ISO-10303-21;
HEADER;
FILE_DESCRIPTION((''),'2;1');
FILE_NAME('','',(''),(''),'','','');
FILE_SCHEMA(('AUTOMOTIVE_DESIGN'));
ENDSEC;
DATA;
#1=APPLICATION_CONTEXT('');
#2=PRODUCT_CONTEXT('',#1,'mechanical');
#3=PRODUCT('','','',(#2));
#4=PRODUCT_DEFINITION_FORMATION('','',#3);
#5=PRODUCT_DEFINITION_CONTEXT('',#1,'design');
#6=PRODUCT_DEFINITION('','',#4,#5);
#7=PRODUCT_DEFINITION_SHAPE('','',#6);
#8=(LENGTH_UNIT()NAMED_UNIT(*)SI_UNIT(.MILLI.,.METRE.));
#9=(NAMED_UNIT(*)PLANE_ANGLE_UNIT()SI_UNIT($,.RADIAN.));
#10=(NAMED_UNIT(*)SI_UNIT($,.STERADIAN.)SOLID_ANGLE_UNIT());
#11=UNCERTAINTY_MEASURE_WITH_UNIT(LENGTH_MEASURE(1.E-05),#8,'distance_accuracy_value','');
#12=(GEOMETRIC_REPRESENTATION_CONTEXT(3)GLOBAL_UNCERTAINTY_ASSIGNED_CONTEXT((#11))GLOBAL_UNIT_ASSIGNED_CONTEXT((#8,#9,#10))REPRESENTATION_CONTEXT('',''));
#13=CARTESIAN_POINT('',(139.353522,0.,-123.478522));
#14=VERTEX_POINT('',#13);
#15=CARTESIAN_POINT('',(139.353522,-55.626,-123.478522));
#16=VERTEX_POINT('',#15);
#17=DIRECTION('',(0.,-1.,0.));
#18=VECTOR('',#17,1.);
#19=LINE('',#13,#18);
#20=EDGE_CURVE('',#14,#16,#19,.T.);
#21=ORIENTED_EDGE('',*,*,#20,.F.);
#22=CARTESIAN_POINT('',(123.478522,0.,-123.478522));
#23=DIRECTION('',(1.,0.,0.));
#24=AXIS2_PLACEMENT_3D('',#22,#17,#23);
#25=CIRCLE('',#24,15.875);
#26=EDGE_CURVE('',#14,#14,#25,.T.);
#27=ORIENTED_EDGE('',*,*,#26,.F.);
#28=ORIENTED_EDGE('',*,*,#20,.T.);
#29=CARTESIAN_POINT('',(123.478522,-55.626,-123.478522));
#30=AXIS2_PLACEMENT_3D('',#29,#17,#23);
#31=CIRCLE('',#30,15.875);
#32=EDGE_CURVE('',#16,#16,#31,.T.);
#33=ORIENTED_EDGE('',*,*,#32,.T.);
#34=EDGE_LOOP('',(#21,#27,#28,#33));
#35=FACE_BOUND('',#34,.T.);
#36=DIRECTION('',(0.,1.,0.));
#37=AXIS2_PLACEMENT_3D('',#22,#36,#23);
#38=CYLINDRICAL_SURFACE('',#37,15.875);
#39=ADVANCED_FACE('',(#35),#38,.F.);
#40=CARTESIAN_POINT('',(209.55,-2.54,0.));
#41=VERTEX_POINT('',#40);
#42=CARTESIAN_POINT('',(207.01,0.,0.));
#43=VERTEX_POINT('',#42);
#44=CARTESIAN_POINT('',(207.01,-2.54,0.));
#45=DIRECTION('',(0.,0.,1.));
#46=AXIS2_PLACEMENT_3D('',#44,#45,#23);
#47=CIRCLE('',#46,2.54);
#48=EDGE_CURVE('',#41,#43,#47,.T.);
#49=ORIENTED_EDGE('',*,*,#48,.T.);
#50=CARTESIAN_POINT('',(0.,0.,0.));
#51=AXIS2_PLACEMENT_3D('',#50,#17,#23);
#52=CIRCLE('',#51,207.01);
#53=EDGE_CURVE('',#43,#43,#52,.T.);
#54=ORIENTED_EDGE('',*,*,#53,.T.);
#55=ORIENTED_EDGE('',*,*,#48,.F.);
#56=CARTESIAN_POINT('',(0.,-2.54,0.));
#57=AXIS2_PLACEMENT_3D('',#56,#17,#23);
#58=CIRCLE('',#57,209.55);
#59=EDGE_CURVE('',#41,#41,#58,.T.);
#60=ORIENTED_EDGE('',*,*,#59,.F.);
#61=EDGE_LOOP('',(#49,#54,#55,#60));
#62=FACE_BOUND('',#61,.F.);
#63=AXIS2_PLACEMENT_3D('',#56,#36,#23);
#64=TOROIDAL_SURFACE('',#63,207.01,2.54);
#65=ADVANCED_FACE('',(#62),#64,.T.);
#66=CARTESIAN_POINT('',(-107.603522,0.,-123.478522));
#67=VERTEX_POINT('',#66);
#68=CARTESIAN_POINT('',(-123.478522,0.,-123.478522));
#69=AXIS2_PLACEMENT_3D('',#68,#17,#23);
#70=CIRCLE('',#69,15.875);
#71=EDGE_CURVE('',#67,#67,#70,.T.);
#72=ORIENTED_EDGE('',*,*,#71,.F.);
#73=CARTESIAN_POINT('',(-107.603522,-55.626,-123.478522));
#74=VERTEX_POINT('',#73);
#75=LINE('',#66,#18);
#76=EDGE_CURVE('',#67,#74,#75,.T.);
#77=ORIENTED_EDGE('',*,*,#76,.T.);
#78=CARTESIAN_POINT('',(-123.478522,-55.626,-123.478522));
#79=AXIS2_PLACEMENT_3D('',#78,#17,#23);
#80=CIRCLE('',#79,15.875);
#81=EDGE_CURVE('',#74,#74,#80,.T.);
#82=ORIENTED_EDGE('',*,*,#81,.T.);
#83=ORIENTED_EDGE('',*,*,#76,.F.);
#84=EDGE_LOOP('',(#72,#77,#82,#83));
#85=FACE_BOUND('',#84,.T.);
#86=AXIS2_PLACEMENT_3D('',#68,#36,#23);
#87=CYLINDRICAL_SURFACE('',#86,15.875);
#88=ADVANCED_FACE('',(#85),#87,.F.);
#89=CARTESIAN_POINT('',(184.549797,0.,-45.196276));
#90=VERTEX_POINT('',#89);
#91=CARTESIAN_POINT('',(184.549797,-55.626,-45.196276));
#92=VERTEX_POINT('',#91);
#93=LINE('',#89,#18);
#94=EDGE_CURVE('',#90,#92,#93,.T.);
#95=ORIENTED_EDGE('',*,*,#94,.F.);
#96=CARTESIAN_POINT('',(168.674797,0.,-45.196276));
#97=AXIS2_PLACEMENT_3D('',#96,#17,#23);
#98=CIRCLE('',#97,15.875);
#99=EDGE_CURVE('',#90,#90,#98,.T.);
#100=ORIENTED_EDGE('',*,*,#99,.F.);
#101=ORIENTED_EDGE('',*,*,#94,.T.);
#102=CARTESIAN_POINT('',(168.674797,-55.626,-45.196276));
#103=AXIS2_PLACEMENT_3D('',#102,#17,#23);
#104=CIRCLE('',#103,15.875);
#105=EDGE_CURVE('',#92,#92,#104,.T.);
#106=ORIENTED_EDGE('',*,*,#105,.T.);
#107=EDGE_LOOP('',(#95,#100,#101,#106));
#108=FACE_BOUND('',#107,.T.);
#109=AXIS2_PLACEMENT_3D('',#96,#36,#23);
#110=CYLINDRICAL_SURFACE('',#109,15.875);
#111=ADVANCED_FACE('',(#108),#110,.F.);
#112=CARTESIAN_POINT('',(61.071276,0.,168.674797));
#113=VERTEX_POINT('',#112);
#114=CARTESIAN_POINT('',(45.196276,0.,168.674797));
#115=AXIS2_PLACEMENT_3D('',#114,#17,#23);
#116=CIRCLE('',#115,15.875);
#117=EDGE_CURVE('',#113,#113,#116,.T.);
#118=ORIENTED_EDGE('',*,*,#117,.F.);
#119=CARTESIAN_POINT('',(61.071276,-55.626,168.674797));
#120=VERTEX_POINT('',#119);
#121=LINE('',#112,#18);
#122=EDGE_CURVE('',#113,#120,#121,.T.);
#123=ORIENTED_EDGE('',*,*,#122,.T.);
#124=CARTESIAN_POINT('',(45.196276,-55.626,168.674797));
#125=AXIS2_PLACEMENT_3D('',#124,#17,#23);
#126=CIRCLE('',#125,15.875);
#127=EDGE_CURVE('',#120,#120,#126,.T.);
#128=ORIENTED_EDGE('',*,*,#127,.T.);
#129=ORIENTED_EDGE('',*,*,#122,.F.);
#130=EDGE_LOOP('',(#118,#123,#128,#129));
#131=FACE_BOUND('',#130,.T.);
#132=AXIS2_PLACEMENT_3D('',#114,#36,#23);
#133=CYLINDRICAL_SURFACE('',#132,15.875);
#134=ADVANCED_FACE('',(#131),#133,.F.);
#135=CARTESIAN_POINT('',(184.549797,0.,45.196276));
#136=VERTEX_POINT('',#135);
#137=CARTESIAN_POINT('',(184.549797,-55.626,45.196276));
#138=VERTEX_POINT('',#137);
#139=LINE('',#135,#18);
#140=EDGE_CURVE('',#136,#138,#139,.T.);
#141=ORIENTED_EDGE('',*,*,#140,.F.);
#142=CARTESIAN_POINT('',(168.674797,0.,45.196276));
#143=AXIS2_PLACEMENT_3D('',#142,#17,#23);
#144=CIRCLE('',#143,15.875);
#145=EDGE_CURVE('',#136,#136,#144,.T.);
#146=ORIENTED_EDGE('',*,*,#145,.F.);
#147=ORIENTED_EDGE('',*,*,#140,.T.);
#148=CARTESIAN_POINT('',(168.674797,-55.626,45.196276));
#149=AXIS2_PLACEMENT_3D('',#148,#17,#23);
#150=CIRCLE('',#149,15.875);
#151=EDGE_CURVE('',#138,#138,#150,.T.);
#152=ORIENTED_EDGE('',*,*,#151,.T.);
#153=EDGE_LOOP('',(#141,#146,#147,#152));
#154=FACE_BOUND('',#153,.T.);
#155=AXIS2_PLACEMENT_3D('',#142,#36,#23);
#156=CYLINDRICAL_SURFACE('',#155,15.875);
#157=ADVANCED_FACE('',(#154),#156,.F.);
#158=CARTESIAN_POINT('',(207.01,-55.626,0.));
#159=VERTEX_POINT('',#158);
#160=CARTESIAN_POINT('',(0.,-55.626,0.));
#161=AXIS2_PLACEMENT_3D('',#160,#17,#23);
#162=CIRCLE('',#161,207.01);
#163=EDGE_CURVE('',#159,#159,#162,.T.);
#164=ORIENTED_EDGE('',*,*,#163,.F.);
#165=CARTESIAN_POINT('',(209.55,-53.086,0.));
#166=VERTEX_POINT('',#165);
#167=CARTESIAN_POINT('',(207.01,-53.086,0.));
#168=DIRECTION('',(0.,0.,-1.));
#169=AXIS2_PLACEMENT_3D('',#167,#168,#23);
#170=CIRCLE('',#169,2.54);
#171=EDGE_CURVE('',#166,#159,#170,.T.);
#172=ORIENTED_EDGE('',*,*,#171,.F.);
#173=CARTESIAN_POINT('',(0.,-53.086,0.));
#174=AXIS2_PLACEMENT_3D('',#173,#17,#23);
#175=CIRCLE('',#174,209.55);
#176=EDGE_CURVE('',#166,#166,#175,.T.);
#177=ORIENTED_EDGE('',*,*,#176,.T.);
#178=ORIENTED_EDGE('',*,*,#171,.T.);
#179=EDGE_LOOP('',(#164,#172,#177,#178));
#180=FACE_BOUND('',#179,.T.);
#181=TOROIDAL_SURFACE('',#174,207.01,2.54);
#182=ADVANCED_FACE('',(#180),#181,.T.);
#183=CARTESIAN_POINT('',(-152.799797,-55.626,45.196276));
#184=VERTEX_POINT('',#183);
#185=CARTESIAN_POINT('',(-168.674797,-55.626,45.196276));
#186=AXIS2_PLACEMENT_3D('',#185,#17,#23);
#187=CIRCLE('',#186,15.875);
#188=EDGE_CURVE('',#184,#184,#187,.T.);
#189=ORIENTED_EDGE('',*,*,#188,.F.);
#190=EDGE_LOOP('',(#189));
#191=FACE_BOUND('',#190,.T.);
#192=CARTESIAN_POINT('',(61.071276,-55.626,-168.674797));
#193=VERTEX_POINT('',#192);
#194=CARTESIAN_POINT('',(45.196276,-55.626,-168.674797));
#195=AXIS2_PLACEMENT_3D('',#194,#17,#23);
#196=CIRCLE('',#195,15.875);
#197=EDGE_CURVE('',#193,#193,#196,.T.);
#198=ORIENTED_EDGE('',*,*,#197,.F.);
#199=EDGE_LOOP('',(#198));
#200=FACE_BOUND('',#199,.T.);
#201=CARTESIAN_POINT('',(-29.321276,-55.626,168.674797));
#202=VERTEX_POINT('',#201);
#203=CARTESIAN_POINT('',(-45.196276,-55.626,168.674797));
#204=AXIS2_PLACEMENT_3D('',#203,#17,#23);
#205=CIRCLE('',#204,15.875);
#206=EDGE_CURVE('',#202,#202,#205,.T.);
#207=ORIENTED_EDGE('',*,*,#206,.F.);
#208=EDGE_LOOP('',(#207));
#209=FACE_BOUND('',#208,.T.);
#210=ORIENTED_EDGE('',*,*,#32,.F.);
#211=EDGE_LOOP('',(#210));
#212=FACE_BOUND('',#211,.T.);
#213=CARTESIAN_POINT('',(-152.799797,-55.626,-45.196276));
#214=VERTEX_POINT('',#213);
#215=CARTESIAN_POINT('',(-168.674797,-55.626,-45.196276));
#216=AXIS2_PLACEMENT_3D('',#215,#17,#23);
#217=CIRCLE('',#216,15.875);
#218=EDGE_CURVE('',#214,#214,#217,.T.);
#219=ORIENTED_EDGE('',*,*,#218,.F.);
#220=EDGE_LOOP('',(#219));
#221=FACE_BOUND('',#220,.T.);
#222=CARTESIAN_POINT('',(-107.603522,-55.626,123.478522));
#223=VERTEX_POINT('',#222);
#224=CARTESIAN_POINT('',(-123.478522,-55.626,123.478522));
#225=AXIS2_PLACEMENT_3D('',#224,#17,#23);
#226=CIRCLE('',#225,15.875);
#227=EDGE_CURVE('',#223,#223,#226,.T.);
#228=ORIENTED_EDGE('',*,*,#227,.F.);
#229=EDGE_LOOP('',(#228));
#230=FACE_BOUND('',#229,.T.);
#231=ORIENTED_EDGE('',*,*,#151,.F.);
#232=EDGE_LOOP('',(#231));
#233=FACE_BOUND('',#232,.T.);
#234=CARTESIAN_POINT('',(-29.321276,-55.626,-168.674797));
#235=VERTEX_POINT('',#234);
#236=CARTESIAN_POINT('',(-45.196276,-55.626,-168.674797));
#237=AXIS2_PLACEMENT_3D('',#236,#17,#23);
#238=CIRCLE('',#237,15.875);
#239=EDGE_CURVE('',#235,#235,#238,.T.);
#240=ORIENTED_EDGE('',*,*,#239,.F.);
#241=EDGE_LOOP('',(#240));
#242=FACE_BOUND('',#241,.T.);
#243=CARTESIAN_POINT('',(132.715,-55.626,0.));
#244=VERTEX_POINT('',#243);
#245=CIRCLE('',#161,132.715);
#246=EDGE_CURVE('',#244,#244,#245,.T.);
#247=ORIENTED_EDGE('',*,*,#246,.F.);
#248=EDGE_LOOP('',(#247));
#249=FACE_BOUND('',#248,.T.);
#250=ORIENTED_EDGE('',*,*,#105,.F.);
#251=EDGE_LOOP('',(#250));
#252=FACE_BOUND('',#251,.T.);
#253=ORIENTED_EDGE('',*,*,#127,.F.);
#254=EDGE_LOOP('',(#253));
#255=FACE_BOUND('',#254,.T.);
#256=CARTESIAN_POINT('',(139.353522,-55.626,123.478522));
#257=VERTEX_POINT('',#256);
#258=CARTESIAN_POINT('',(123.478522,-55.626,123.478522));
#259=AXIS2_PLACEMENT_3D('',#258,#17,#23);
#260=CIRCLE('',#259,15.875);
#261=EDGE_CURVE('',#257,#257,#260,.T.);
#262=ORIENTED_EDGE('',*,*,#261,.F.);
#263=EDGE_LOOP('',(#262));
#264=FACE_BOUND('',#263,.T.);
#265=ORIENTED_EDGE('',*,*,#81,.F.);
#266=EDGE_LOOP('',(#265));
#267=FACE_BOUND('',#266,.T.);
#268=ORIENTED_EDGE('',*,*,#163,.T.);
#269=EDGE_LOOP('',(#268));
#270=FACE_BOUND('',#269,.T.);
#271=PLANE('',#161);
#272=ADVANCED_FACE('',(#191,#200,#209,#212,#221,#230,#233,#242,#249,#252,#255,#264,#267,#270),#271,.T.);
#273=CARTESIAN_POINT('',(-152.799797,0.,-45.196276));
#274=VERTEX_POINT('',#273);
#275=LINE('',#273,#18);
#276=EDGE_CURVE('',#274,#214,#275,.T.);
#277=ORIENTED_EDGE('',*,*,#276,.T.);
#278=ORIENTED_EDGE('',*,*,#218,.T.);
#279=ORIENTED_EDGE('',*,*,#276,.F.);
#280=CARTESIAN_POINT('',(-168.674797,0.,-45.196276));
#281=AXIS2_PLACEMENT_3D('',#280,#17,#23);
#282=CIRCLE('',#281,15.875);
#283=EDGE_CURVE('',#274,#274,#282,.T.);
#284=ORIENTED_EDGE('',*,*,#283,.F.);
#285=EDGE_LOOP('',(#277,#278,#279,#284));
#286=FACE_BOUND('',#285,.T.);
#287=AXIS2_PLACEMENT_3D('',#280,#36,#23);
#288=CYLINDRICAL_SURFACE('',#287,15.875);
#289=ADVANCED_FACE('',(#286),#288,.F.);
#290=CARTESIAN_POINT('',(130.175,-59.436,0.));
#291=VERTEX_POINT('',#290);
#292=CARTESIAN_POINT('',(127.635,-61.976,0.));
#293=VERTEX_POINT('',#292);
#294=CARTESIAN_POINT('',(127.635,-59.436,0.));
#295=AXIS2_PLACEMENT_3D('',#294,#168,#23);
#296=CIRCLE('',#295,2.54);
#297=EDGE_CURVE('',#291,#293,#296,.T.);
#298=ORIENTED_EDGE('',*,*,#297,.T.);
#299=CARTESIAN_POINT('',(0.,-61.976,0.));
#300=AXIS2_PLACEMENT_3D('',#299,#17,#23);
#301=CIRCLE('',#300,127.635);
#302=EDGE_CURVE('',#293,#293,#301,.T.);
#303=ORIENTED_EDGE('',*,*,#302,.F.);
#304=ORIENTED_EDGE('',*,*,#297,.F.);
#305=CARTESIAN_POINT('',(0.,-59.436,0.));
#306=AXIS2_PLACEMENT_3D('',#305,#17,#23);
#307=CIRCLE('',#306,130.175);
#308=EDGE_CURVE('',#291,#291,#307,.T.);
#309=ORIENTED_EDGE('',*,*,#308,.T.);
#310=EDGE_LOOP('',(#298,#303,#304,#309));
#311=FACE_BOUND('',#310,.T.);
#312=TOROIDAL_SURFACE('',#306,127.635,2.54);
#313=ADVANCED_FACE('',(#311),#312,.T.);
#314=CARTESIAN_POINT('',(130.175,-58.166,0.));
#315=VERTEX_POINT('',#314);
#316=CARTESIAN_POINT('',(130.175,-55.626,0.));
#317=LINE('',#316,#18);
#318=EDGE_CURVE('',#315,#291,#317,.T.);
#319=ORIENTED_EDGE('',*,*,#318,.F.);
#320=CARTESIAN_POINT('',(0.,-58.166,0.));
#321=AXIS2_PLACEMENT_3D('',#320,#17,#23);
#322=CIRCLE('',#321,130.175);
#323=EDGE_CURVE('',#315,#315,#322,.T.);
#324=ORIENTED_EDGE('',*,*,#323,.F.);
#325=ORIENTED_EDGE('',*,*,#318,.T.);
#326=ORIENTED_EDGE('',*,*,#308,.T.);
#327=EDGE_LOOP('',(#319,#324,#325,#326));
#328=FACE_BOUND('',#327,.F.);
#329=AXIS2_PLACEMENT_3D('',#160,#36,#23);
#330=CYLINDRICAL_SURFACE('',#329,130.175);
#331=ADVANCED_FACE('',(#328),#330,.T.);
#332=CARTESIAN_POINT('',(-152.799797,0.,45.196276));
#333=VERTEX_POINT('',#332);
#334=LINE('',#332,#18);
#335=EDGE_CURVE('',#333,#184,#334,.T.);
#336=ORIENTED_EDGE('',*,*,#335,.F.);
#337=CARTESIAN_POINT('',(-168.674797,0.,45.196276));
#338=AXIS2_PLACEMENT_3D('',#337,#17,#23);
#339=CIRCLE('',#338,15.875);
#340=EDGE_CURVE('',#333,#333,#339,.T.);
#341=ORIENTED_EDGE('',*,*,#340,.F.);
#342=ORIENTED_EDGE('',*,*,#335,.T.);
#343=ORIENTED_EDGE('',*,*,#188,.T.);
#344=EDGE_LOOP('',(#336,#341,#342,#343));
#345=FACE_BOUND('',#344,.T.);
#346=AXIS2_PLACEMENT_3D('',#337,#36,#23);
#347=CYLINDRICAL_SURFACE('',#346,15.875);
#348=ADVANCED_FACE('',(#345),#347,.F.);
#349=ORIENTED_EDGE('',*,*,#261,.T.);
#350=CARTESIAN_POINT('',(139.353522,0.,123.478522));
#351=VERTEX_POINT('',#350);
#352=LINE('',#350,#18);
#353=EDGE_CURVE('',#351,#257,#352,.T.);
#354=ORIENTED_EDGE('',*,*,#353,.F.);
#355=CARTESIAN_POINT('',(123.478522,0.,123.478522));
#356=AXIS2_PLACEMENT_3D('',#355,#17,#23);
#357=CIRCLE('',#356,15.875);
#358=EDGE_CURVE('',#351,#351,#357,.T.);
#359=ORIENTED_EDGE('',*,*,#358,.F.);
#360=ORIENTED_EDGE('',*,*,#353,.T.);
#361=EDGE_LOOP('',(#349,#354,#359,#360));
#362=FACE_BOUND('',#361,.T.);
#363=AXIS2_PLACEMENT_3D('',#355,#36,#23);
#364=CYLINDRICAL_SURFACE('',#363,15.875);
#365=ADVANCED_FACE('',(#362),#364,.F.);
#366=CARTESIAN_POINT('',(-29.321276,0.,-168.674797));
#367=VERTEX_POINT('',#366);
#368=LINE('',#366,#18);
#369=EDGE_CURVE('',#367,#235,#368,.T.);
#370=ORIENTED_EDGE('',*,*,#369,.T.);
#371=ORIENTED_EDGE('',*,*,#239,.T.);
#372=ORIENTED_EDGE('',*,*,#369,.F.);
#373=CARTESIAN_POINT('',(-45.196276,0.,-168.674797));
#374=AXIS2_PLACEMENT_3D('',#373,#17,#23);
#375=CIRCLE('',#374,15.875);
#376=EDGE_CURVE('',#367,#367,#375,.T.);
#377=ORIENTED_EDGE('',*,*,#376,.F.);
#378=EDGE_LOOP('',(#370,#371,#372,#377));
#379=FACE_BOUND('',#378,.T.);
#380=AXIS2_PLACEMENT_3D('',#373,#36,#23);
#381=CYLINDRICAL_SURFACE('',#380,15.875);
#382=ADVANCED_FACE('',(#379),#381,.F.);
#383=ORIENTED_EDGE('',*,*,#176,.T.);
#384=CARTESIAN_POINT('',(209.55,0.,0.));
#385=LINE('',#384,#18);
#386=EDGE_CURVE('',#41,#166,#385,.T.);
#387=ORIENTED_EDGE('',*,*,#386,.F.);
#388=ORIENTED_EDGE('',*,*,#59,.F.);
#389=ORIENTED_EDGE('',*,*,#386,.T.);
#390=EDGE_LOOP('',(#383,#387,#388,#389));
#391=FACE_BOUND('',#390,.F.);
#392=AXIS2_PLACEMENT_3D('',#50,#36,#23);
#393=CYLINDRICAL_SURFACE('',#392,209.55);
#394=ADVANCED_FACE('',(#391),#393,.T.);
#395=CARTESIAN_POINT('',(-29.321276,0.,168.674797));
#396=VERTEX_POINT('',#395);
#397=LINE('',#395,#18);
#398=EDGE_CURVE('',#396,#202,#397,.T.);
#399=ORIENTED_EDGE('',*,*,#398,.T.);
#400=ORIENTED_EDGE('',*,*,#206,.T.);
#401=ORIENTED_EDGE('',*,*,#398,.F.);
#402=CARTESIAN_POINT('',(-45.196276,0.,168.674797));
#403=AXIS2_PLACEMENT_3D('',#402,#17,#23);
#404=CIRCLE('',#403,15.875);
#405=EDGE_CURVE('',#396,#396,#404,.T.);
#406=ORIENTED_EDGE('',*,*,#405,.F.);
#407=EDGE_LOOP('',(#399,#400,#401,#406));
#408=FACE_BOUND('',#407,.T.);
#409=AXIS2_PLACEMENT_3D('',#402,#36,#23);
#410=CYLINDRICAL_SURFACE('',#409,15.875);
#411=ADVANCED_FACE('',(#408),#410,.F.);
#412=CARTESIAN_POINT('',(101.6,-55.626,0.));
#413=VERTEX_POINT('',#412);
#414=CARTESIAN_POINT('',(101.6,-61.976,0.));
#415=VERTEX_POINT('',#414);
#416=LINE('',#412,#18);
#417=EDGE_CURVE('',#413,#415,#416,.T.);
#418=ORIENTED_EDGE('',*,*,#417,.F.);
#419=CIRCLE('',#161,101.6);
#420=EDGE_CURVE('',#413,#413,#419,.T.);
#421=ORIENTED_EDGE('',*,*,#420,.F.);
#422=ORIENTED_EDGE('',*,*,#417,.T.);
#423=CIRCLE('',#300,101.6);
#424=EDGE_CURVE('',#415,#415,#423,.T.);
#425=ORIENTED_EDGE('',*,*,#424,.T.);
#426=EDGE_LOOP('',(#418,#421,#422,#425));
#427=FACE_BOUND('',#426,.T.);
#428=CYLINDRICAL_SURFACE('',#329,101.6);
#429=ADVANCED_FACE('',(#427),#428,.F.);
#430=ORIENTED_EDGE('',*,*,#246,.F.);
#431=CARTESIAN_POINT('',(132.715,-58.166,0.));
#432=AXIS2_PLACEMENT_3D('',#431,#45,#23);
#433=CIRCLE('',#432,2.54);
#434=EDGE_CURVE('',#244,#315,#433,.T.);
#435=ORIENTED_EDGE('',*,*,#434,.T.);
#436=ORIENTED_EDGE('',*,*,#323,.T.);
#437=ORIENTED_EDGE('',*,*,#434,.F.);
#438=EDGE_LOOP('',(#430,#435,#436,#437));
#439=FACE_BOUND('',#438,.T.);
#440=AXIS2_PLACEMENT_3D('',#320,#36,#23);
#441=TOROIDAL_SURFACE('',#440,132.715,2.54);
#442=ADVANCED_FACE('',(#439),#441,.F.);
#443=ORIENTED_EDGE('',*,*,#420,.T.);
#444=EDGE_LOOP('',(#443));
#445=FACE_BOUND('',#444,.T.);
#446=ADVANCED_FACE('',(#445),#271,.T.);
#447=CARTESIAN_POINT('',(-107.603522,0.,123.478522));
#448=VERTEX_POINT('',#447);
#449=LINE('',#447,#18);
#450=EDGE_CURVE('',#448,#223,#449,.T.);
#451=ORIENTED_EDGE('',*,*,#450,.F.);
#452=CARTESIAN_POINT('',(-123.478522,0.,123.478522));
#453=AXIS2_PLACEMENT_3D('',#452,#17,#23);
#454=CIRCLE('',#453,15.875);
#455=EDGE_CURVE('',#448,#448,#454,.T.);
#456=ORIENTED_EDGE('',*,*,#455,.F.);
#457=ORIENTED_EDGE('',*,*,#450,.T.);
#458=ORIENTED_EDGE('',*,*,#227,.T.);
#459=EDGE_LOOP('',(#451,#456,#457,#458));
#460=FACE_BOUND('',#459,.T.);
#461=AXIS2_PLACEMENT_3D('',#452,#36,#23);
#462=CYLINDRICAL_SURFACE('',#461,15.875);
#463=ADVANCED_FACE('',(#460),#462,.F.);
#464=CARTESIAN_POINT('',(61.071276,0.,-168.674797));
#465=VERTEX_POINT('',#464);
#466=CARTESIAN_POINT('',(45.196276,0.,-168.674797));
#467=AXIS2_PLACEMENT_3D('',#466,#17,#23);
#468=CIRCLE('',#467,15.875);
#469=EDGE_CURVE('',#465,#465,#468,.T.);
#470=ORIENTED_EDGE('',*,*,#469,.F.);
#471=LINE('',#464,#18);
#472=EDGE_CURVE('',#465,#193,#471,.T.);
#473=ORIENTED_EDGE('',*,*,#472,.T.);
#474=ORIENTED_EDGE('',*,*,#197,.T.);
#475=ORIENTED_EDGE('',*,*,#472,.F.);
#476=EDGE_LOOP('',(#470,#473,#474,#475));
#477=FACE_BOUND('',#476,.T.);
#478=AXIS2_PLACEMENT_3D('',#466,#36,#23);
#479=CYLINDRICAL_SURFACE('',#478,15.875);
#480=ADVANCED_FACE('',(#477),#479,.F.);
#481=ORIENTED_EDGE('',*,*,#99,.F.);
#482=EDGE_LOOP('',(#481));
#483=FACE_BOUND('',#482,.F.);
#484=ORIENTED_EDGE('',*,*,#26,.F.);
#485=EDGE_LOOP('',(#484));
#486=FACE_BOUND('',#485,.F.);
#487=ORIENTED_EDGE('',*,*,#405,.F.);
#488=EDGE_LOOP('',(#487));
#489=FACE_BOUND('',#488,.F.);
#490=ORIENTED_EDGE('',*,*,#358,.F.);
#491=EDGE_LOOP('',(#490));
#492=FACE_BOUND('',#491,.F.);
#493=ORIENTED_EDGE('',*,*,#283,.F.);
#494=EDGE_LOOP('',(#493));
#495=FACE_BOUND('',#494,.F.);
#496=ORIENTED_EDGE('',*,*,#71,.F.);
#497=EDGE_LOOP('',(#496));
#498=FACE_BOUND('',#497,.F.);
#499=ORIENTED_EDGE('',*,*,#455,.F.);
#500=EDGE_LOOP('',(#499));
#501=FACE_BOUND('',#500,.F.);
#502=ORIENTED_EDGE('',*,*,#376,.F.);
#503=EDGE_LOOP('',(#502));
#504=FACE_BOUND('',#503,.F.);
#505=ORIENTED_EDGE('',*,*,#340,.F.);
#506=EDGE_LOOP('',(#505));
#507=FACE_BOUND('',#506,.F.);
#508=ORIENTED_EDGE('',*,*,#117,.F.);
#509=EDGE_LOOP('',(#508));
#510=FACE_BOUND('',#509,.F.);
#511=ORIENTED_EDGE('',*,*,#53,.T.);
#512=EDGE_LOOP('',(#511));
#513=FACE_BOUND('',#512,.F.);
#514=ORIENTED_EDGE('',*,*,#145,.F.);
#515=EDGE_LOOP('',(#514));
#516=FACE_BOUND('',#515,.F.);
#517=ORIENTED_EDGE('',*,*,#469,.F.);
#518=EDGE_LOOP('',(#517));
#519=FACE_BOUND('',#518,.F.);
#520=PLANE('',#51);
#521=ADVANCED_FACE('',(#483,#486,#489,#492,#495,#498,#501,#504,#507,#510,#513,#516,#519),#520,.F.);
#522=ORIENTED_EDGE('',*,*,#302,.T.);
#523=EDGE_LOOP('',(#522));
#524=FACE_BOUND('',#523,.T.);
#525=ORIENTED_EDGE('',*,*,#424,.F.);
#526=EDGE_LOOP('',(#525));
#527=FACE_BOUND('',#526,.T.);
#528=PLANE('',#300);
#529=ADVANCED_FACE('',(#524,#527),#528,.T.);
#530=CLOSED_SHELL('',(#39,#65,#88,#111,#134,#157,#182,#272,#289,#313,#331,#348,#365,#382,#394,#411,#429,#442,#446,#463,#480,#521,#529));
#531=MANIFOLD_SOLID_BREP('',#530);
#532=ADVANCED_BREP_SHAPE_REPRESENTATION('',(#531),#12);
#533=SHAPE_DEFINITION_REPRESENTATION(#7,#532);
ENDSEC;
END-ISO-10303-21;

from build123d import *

# Parameters (mm, degrees)
F0_R     = 209.55
F0_R_2   = 15.875
F1_DEPTH = 55.626
F2_R     = 130.175
F2_R_2   = 101.6
F3_DEPTH = 6.35
F4_R     = 2.54


with BuildPart() as f1:
    # F0 (on Front) → F1 (new body)
    with BuildSketch(Plane.XZ):
        Circle(F0_R)
        with Locations((-123.478522, -123.478522)):
            Circle(F0_R_2, mode=Mode.SUBTRACT)
        with Locations((-45.196276, -168.674797)):
            Circle(F0_R_2, mode=Mode.SUBTRACT)
        with Locations((-168.674797, -45.196276)):
            Circle(F0_R_2, mode=Mode.SUBTRACT)
        with Locations((45.196276, -168.674797)):
            Circle(F0_R_2, mode=Mode.SUBTRACT)
        with Locations((123.478522, -123.478522)):
            Circle(F0_R_2, mode=Mode.SUBTRACT)
        with Locations((168.674797, -45.196276)):
            Circle(F0_R_2, mode=Mode.SUBTRACT)
        with Locations((-168.674797, 45.196276)):
            Circle(F0_R_2, mode=Mode.SUBTRACT)
        with Locations((-123.478522, 123.478522)):
            Circle(F0_R_2, mode=Mode.SUBTRACT)
        with Locations((-45.196276, 168.674797)):
            Circle(F0_R_2, mode=Mode.SUBTRACT)
        with Locations((168.674797, 45.196276)):
            Circle(F0_R_2, mode=Mode.SUBTRACT)
        with Locations((45.196276, 168.674797)):
            Circle(F0_R_2, mode=Mode.SUBTRACT)
        with Locations((123.478522, 123.478522)):
            Circle(F0_R_2, mode=Mode.SUBTRACT)
    extrude(amount=F1_DEPTH)

    # F2 (on face) → F3 (join)
    with BuildSketch(Plane.XZ.offset(55.626)):
        Circle(F2_R)
        Circle(F2_R_2, mode=Mode.SUBTRACT)
    extrude(amount=F3_DEPTH)

    # F4
    f4_edges = [f1.edges().sort_by_distance(p)[0] for p in [
        (-209.55, -55.626, 0),
        (-209.55, 0, 0),
        (-130.175, -61.976, 0),
        (-130.175, -55.626, 0),
    ]]
    fillet(f4_edges, radius=F4_R)


solid = f1.part
